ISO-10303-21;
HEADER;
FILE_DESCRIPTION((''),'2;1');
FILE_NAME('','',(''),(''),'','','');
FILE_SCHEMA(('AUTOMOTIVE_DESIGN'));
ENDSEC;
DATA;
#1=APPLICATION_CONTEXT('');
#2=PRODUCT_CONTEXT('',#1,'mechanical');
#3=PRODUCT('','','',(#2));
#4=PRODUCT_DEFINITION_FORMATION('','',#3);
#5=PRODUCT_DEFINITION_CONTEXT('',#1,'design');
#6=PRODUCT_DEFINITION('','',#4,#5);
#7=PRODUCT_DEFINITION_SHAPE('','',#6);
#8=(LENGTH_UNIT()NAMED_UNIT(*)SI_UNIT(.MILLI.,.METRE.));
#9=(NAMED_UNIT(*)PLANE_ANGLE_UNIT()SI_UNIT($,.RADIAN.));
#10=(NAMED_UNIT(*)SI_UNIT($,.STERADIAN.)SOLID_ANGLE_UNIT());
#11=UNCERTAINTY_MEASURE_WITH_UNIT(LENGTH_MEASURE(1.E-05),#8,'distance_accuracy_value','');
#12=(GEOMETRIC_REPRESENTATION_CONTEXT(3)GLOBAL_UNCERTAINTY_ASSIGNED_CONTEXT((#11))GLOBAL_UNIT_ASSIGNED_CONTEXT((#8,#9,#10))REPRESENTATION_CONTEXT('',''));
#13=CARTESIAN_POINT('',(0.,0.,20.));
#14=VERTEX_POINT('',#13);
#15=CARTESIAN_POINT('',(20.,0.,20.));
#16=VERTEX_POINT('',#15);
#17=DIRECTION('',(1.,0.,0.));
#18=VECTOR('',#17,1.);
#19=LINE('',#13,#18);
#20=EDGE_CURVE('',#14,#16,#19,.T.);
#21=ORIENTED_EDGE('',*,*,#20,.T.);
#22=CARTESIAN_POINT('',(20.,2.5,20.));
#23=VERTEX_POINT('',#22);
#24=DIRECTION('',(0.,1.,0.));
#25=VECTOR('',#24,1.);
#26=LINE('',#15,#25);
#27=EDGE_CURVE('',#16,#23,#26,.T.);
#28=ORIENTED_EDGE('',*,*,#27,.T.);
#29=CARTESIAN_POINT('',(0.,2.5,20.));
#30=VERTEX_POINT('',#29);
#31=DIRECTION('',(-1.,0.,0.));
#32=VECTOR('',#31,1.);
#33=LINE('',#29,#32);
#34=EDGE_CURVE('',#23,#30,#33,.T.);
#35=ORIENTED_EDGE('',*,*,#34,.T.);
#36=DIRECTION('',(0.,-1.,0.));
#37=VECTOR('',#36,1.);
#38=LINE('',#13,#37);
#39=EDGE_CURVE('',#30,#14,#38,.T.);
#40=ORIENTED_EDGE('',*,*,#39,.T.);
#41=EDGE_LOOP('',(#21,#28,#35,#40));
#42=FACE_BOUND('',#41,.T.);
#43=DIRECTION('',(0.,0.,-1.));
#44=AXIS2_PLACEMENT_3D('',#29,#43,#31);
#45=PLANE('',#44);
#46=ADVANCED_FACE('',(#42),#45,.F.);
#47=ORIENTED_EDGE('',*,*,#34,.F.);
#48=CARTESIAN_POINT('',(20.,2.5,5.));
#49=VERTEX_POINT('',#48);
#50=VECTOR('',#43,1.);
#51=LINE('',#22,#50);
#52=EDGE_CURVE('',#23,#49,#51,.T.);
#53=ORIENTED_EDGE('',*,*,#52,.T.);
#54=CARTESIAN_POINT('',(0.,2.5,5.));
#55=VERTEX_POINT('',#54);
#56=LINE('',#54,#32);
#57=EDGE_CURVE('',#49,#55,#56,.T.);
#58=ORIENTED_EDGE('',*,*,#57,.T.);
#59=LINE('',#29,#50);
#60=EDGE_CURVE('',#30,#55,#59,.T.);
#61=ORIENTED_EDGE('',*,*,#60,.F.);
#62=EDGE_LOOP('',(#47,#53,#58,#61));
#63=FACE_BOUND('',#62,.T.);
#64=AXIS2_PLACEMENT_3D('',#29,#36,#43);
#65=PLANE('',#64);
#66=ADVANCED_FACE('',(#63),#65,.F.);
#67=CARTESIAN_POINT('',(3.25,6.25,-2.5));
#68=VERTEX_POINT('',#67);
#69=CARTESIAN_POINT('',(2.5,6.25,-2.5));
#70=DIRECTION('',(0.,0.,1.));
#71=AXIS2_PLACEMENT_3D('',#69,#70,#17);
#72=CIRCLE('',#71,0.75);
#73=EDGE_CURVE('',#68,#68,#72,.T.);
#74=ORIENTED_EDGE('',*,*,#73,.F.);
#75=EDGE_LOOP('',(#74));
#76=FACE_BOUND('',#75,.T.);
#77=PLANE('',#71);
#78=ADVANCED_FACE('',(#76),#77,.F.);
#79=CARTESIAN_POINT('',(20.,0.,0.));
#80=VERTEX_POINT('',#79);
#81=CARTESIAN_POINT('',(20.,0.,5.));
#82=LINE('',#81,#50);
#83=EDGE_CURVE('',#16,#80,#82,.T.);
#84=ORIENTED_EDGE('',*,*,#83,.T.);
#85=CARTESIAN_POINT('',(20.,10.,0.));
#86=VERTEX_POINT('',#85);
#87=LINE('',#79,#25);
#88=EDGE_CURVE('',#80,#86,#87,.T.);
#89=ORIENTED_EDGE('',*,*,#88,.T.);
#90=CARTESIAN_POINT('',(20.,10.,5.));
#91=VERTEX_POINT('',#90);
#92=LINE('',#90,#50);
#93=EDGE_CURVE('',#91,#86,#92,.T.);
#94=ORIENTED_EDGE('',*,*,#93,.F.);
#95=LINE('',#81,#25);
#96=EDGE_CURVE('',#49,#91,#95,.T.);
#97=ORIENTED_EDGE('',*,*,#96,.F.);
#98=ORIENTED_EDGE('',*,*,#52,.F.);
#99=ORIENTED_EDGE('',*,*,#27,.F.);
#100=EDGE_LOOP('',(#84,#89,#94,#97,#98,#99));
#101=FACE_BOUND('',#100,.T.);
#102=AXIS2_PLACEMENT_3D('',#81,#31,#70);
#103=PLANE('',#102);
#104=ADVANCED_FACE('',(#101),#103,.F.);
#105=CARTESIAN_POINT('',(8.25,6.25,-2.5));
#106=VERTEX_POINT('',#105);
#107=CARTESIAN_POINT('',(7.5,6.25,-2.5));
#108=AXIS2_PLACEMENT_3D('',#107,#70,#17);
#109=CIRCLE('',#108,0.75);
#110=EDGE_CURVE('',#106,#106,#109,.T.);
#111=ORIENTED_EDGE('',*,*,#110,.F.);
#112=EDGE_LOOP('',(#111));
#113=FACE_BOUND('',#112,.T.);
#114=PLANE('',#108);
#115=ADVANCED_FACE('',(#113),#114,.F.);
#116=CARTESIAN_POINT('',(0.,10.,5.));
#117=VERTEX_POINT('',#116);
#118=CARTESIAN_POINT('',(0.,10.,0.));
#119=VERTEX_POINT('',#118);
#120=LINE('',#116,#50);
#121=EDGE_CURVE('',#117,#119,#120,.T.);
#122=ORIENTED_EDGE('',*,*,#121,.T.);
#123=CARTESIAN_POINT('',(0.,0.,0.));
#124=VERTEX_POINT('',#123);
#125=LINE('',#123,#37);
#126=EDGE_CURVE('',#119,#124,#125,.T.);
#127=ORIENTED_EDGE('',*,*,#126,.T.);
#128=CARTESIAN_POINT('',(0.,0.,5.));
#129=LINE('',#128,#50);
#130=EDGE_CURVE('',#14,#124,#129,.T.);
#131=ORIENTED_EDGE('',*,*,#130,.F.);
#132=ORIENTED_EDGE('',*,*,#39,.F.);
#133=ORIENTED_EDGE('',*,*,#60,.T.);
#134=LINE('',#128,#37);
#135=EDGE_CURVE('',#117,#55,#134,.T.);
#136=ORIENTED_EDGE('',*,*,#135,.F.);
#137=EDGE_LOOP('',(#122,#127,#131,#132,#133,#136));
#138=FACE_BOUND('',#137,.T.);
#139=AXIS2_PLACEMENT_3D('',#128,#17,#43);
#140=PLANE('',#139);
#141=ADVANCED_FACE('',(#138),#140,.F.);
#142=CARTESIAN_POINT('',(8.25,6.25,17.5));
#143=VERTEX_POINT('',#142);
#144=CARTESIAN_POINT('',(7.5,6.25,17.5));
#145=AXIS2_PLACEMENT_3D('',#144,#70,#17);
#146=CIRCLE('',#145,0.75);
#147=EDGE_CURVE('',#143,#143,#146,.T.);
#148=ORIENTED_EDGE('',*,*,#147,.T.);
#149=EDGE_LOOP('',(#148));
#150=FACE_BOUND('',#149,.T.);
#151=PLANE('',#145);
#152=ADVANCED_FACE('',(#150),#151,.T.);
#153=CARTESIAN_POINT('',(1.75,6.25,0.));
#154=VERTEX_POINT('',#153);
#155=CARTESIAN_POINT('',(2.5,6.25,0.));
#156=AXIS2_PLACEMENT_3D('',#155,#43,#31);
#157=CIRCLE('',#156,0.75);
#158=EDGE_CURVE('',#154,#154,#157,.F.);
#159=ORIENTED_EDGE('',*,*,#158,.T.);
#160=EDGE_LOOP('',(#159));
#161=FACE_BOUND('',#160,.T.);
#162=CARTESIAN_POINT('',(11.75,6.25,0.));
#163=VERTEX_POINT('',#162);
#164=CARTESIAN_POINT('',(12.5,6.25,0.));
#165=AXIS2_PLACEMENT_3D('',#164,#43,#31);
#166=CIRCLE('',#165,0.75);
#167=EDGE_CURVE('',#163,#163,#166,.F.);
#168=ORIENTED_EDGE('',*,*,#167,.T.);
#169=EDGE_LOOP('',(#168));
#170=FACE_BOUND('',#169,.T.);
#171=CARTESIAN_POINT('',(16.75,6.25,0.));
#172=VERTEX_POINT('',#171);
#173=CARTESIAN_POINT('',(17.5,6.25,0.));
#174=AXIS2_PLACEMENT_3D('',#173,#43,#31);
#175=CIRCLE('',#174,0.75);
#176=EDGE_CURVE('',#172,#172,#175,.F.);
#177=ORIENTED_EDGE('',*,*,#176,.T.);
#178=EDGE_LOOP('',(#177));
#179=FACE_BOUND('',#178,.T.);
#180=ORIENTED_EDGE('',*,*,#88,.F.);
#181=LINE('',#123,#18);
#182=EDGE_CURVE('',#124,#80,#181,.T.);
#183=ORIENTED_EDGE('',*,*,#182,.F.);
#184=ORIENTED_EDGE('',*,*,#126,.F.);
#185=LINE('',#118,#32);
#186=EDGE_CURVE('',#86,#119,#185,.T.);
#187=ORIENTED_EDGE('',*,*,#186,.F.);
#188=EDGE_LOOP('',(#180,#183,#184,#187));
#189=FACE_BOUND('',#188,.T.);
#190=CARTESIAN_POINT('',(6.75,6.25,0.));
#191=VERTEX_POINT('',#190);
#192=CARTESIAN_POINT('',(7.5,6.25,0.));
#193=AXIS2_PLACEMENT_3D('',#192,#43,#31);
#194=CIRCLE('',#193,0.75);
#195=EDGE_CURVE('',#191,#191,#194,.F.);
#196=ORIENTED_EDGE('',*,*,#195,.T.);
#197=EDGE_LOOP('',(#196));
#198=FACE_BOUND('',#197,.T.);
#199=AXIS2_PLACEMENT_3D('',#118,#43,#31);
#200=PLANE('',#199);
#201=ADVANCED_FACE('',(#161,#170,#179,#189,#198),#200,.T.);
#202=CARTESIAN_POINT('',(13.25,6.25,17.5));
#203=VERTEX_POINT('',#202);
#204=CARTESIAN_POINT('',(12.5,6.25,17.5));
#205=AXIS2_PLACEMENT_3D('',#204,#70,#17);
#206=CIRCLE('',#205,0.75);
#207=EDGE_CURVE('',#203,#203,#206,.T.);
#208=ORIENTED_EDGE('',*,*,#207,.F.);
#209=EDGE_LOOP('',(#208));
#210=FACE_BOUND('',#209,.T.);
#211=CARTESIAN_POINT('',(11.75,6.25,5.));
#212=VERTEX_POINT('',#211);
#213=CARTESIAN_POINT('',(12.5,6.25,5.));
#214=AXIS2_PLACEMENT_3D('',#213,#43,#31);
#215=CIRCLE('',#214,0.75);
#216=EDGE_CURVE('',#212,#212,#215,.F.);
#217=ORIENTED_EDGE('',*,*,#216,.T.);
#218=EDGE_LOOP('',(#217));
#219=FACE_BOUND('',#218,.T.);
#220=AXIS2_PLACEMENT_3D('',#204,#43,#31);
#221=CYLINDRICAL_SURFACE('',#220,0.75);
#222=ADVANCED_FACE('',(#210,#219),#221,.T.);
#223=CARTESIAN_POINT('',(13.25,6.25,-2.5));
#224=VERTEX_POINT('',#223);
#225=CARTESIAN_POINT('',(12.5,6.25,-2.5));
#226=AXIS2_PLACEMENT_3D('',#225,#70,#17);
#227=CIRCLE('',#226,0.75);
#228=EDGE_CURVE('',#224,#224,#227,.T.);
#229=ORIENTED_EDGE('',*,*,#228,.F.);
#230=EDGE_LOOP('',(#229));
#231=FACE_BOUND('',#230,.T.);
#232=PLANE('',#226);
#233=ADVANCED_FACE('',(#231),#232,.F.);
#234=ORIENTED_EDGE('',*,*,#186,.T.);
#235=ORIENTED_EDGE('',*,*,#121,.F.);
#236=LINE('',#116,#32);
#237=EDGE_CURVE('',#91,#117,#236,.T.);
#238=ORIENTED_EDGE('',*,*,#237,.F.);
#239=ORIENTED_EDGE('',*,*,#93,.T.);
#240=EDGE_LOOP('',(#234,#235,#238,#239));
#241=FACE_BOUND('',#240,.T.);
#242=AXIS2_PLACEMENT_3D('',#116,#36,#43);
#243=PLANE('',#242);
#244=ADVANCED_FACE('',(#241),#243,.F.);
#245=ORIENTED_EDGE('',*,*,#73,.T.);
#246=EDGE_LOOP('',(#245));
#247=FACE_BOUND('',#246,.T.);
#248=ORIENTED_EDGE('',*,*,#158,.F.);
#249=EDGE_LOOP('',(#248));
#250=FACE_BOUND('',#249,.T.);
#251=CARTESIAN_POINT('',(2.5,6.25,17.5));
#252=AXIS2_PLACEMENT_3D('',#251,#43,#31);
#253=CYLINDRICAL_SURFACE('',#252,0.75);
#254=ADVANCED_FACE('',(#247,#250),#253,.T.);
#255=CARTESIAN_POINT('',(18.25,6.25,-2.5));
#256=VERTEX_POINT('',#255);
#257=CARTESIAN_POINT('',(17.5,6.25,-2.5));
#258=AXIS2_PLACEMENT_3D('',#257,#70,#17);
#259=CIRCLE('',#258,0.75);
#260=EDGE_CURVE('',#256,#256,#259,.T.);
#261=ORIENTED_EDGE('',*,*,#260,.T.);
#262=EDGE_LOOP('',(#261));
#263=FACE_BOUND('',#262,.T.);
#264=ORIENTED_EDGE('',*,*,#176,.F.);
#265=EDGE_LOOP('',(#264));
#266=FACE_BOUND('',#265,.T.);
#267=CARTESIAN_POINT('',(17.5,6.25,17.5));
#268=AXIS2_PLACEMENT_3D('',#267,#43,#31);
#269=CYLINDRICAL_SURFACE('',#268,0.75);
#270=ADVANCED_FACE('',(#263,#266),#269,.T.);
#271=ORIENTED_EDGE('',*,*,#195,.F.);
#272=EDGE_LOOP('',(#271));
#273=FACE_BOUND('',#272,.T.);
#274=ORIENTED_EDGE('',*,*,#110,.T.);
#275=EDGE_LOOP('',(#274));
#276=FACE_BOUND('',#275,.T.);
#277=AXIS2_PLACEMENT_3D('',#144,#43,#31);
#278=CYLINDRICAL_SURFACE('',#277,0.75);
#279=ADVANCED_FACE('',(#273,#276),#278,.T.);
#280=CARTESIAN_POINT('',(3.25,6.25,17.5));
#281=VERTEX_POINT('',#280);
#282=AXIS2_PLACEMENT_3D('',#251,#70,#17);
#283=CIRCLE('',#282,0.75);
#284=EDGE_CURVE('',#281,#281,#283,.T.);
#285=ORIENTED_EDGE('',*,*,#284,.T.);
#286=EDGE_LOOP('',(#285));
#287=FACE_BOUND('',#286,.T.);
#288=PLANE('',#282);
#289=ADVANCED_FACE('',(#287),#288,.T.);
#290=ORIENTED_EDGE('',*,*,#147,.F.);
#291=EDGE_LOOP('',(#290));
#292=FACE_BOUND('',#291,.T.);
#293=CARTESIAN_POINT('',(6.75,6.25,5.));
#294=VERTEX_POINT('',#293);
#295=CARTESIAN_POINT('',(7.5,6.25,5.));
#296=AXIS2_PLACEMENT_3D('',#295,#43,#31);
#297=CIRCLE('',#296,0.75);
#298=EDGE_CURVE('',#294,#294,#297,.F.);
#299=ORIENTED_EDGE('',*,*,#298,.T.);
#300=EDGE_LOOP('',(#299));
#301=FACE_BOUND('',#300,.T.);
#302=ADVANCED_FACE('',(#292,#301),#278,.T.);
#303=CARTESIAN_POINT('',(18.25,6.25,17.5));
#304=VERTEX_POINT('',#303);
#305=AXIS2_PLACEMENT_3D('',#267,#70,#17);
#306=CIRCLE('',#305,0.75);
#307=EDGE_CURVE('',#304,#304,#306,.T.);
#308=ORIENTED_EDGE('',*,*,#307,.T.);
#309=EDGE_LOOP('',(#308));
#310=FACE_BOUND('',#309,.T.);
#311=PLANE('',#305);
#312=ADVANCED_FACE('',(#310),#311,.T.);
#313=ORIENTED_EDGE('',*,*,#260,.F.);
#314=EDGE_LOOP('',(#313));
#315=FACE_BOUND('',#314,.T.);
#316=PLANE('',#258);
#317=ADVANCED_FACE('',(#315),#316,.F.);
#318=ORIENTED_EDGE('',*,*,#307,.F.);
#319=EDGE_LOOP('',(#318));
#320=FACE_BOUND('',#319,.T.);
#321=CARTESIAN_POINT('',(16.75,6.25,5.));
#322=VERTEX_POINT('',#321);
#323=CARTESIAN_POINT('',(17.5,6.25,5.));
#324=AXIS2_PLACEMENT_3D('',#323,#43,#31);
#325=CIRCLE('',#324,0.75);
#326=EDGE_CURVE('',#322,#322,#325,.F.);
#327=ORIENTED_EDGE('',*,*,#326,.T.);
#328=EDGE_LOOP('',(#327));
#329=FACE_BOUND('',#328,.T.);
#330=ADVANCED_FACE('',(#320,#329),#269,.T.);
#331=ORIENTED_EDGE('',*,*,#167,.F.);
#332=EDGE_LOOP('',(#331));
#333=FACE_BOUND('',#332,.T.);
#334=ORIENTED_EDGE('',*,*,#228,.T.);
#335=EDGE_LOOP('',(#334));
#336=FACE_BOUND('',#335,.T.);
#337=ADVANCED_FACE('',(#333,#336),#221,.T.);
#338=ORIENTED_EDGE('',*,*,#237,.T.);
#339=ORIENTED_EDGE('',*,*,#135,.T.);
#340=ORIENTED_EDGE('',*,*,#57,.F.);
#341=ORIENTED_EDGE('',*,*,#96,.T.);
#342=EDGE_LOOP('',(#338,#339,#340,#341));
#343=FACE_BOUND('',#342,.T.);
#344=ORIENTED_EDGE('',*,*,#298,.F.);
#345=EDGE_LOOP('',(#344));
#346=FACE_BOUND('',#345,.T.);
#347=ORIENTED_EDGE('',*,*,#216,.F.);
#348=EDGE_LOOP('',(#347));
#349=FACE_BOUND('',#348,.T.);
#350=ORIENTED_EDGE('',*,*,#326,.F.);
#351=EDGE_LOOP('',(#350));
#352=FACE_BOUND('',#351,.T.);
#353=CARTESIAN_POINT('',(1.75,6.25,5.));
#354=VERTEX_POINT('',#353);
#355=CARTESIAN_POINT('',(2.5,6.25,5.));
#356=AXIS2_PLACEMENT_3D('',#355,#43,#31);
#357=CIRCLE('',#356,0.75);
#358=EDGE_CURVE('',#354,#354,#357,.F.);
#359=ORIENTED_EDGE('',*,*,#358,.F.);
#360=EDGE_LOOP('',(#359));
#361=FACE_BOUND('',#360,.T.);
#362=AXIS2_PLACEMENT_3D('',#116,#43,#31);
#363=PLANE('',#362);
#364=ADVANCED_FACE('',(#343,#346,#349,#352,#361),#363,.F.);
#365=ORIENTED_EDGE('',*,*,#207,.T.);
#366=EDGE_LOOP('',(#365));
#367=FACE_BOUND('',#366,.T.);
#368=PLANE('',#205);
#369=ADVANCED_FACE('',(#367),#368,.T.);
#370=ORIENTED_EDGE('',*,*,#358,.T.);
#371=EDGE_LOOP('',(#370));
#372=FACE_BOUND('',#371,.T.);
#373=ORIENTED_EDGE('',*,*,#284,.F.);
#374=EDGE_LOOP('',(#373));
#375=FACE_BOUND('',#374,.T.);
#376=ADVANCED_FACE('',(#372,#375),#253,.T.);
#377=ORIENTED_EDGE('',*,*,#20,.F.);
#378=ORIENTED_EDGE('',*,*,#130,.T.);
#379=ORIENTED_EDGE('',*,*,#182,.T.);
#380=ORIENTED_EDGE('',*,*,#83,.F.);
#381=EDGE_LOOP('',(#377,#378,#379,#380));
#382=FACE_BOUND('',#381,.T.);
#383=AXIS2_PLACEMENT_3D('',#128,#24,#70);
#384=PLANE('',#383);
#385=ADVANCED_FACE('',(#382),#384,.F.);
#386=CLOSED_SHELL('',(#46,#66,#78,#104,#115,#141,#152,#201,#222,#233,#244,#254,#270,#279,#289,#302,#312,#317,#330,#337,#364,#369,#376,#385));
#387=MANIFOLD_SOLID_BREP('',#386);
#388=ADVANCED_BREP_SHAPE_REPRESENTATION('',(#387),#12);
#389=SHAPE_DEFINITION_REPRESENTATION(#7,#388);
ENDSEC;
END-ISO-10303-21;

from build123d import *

# Parameters (mm, degrees)
SKETCH_1_W           = 20
SKETCH_1_H           = 10
EXTRUDE_1_DEPTH      = 5
SKETCH_2_W           = 20
SKETCH_2_H           = 2.5
EXTRUDE_2_DEPTH      = 15
EXTRUDE_3_DEPTH      = 12.5
EXTRUDE_3_DEPTH_BACK = 7.5
SKETCH_3_R           = 0.75


with BuildPart() as part:
    # Эскиз1 → Вытянуть1 (new body)
    with BuildSketch(Plane.XY):
        with Locations((10, 5)):
            Rectangle(SKETCH_1_W, SKETCH_1_H)
    extrude(amount=EXTRUDE_1_DEPTH)

    # Эскиз2 → Вытянуть2 (add)
    with BuildSketch(Plane.XY.offset(5)):
        with Locations((10, 1.25)):
            Rectangle(SKETCH_2_W, SKETCH_2_H)
    extrude(amount=EXTRUDE_2_DEPTH)

    # Эскиз3 → Вытянуть3 (add, two sides: drawn at the far end of the back side and taken through both)
    with BuildSketch(Plane.XY.offset(5).offset(-EXTRUDE_3_DEPTH_BACK)):
        with Locations((12.5, 6.25)):
            Circle(SKETCH_3_R)
        with Locations((17.5, 6.25)):
            Circle(SKETCH_3_R)
        with Locations((2.5, 6.25)):
            Circle(SKETCH_3_R)
        with Locations((7.5, 6.25)):
            Circle(SKETCH_3_R)
    extrude(amount=EXTRUDE_3_DEPTH + EXTRUDE_3_DEPTH_BACK)


solid = part.part
